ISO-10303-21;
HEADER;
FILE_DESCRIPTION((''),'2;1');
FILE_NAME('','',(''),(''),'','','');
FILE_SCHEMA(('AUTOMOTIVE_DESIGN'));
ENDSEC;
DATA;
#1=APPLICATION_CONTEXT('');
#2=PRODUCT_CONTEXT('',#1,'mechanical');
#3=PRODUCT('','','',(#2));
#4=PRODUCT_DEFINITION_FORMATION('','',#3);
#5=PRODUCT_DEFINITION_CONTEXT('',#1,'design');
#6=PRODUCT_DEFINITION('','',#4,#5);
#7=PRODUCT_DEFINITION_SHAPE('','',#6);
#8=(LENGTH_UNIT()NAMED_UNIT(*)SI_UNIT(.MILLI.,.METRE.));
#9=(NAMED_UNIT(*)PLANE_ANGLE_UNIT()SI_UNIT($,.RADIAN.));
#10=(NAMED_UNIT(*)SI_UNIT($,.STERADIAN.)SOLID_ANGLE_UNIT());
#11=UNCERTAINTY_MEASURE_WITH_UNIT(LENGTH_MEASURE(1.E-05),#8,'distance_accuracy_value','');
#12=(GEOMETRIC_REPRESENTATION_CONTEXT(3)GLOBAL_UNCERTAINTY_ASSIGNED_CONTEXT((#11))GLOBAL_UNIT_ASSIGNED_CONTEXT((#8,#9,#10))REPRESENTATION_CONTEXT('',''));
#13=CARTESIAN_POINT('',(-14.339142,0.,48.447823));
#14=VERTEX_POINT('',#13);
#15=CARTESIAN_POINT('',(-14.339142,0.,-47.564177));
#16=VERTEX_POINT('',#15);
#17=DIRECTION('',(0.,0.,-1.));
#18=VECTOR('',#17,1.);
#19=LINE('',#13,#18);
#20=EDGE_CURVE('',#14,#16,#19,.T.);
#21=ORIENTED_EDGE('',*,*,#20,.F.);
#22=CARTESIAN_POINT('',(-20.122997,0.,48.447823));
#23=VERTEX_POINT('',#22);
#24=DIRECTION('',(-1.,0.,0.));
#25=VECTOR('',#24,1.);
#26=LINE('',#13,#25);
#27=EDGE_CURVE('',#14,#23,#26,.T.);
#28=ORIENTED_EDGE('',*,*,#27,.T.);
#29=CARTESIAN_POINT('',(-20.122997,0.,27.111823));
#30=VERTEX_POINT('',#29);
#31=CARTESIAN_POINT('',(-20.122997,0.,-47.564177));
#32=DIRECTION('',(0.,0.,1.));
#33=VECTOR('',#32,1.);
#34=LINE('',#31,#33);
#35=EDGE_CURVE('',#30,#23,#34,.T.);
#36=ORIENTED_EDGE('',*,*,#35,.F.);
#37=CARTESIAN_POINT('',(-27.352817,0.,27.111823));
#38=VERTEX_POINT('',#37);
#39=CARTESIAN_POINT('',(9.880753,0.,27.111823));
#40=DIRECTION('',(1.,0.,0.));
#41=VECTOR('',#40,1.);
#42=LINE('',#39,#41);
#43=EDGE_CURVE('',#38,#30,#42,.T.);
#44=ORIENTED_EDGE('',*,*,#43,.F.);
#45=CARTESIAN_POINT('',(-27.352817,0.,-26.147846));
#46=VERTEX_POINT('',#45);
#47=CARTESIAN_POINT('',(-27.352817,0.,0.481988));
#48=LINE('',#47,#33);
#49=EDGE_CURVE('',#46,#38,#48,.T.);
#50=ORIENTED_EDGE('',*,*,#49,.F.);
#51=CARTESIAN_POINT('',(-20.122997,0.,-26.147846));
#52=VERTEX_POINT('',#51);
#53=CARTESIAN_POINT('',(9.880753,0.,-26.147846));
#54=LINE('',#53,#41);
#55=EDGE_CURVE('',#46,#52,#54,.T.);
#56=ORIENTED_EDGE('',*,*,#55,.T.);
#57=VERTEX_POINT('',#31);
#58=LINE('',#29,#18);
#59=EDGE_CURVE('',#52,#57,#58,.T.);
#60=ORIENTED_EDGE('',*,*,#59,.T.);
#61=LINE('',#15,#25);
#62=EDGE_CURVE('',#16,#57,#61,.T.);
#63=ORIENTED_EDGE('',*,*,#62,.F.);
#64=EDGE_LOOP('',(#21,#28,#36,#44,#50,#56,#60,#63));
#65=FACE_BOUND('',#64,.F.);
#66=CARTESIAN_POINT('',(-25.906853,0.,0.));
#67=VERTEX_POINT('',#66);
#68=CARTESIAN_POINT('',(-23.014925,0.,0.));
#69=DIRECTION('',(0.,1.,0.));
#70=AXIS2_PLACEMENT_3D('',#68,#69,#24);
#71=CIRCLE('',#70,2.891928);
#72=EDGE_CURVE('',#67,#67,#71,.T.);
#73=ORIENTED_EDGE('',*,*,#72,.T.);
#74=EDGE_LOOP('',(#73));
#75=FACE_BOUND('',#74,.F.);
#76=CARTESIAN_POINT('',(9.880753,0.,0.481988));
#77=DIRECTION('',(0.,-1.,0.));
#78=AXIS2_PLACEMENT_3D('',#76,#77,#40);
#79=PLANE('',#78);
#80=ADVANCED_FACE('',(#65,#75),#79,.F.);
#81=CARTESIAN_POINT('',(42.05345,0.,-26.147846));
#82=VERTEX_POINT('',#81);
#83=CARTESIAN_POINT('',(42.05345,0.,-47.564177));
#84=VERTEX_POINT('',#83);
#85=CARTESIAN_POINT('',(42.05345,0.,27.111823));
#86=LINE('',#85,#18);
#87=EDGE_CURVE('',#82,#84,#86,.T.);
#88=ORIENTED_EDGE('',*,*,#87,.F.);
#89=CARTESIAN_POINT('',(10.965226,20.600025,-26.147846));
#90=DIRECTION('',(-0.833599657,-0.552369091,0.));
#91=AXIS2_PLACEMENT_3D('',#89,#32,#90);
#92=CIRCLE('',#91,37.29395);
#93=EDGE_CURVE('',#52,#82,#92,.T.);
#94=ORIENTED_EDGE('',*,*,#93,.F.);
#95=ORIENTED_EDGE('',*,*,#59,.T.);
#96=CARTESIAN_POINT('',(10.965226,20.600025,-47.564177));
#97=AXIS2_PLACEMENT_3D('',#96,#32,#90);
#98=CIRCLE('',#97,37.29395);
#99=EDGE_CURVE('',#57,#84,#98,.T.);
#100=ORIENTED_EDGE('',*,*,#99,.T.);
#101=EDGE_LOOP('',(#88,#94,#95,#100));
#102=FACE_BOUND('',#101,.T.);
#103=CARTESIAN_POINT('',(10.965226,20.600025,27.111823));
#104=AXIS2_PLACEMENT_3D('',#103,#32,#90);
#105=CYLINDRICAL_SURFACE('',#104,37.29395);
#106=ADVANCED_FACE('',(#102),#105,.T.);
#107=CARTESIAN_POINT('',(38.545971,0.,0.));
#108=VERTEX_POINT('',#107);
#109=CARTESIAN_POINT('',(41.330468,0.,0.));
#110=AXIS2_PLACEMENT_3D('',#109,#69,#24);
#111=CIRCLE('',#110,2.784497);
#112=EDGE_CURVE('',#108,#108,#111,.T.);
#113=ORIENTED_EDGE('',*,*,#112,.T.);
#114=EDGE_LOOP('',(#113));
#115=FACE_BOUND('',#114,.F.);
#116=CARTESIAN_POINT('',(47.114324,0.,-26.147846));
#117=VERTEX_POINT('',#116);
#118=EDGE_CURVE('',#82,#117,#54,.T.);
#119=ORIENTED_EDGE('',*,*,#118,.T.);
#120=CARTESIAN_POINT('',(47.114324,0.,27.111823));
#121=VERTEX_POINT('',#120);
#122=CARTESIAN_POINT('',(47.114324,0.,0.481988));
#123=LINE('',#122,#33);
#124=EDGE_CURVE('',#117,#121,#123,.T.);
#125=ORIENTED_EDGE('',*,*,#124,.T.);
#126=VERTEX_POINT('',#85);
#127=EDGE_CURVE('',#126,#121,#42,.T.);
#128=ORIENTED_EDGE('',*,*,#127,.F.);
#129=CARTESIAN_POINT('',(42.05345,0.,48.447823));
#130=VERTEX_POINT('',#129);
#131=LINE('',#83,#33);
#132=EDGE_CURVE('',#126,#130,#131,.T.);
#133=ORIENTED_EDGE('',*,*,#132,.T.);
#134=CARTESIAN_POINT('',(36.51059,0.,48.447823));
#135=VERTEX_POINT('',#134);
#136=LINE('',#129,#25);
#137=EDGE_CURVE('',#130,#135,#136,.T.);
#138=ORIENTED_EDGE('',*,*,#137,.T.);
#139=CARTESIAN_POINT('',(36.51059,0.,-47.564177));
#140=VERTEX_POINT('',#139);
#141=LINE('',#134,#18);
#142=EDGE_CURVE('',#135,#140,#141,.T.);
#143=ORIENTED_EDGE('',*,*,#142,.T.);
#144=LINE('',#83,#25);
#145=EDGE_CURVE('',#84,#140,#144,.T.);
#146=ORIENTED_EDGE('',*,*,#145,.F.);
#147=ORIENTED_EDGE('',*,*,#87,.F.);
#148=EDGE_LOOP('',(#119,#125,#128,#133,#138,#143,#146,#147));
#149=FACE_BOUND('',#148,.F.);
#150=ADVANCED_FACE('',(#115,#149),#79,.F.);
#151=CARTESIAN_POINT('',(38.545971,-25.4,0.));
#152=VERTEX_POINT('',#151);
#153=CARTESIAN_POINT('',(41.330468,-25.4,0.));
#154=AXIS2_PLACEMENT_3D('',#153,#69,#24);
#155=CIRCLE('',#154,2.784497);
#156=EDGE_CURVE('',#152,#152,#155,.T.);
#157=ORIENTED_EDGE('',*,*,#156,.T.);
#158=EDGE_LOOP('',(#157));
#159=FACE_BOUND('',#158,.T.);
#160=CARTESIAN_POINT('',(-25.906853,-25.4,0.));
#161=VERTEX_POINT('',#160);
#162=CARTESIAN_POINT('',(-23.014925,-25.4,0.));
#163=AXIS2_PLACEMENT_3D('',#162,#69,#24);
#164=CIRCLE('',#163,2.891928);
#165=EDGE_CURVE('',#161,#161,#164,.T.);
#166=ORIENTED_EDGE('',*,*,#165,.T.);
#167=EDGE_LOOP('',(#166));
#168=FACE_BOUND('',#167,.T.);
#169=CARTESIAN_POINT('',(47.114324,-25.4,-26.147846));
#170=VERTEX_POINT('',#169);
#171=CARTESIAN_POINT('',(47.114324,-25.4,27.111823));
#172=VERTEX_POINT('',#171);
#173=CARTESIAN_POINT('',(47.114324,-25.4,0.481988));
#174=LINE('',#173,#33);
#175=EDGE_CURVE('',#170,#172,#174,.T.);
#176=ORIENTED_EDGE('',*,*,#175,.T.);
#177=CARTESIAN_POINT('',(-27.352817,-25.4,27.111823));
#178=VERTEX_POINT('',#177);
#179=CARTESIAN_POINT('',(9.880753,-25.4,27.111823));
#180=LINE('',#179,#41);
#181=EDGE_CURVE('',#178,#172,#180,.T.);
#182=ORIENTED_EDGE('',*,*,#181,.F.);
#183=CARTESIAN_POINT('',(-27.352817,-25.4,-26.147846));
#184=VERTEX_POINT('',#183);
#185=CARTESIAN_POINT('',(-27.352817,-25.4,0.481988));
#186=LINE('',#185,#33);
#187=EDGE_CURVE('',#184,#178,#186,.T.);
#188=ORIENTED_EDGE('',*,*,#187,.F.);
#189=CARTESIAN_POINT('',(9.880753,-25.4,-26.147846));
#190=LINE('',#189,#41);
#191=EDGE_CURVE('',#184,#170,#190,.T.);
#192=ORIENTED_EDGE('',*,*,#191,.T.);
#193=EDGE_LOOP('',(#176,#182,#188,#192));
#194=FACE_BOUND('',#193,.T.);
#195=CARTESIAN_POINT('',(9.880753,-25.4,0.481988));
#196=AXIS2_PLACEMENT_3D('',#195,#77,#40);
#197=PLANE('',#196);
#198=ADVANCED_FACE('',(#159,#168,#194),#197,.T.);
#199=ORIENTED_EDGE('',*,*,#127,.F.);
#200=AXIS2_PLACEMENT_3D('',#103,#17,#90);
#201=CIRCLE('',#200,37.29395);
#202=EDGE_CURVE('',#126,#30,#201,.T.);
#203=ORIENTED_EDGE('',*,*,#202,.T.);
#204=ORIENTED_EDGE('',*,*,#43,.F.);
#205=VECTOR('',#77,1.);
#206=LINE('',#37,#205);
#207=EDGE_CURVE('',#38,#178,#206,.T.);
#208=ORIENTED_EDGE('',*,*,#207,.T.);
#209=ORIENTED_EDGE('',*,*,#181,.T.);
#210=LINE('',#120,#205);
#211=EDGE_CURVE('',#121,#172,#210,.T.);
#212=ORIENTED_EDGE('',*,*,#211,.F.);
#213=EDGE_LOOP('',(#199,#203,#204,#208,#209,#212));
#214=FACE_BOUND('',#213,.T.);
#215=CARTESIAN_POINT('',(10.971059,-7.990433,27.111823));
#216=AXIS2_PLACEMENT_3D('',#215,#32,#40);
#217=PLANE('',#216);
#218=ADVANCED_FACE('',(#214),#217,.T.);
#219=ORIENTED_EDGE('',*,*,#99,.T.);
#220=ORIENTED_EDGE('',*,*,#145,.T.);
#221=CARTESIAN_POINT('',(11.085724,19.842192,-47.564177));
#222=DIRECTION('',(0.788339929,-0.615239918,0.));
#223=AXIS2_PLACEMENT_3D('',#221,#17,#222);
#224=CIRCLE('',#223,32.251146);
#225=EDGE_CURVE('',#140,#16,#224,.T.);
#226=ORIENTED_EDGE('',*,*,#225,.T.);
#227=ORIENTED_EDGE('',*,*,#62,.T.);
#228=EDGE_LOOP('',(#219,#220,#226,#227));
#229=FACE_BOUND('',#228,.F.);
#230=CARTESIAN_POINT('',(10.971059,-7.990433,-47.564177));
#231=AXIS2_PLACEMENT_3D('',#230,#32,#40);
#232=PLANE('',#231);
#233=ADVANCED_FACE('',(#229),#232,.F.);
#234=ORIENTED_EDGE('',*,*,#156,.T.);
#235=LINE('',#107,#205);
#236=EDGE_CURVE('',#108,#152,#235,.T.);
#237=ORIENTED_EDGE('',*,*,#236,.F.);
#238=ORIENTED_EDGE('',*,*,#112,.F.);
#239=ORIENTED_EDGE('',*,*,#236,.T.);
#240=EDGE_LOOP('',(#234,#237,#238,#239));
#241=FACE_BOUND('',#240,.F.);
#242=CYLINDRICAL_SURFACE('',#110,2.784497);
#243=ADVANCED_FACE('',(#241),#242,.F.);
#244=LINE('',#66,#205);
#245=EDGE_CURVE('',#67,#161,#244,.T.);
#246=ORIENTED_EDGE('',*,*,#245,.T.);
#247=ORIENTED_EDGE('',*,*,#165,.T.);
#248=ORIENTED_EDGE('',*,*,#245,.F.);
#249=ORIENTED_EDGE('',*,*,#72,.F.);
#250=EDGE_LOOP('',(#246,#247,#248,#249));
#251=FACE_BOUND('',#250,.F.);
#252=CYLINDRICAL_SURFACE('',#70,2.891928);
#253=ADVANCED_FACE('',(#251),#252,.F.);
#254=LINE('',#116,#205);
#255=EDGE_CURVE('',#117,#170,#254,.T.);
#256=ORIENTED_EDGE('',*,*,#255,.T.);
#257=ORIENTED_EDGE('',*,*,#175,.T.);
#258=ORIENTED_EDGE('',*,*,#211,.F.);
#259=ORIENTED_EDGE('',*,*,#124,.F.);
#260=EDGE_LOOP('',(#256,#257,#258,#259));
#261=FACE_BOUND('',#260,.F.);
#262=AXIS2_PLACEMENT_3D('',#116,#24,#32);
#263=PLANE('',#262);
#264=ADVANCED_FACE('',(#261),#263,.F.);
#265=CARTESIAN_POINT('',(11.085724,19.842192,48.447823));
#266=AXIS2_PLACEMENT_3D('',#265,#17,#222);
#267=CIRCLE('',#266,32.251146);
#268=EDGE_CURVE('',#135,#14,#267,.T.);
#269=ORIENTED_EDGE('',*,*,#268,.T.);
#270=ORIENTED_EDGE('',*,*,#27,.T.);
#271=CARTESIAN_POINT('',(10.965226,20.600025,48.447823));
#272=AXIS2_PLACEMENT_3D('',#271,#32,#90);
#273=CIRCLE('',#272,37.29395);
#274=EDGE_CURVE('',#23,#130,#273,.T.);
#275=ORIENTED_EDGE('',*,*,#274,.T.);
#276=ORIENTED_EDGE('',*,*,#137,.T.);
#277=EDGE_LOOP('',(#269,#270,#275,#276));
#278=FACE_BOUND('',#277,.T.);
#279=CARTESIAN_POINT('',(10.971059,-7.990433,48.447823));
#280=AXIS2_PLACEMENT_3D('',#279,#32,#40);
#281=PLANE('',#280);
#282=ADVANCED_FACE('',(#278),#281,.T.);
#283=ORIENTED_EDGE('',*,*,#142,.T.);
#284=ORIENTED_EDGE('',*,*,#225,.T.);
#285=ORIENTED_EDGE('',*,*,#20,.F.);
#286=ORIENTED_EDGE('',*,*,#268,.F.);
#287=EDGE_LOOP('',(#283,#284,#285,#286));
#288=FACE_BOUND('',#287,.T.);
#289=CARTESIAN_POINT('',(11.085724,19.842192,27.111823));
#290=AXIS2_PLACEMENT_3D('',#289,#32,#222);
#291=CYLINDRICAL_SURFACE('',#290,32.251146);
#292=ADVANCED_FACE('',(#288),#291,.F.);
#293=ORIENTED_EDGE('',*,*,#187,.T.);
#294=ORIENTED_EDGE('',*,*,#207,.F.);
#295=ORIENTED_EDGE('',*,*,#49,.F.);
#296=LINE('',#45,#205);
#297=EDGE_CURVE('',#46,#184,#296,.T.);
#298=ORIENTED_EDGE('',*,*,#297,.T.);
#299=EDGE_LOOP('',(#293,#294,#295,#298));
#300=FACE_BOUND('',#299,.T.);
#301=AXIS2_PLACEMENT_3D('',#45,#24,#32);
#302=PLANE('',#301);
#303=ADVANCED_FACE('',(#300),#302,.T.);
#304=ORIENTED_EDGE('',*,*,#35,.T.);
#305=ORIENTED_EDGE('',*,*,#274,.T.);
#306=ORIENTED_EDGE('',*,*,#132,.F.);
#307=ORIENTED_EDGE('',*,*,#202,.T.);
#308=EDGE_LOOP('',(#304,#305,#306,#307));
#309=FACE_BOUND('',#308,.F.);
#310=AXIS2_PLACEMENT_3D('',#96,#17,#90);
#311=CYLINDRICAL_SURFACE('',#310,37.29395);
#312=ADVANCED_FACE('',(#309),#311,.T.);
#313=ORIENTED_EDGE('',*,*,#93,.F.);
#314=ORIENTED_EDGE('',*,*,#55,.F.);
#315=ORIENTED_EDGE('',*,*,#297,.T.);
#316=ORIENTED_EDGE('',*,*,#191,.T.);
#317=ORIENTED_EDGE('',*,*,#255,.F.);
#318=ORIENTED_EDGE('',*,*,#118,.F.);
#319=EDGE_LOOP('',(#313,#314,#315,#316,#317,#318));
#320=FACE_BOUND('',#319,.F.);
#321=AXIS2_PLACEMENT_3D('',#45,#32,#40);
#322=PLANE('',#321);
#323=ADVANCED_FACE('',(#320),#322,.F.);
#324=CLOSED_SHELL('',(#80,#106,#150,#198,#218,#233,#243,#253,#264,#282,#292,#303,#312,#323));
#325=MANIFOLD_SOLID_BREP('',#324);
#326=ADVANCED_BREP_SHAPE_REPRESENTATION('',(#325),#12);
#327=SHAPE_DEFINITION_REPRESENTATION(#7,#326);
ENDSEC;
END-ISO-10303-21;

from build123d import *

# Parameters (mm, degrees)
F0_W     = 74.4671411812
F0_H     = 53.2596688718
F1_DEPTH = 25.4
F3_DEPTH = 74.676
F4_DEPTH = 96.012
F5_DEPTH = 126.238
F6_R     = 2.8919279575
F7_DEPTH = 69.596
F8_R     = 2.7844971125
F9_DEPTH = 71.374


with BuildPart() as f1:
    # F0 (on Front) → F1 (new body)
    with BuildSketch(Plane.XZ):
        with Locations((9.880753234, 0.4819883034)):
            Rectangle(F0_W, F0_H)
    extrude(amount=F1_DEPTH)

    # F2 (on face) → F3 (join)
    with BuildSketch(Plane.XY.offset(27.1118227392)):
        with BuildLine():
            ThreePointArc((36.5105904639, 0), (11.0857244581, -12.4089535166), (-14.3391415477, 0))
            Line((-14.3391415477, 0), (-20.1229974627, 0))
            ThreePointArc((-20.1229974627, 0), (10.9652262181, -16.6939246271), (42.053449899, 0))
            Line((42.053449899, 0), (36.5105904639, 0))
        make_face()
    extrude(amount=-F3_DEPTH)

    # F4 (add): a face of the model
    f4_faces = [f1.faces().sort_by_distance(p)[0] for p in [
        (39.2820201814, -0.643785502, -47.5641772608),
    ]]
    extrude(f4_faces, amount=-F4_DEPTH)

    # F5 (cut): a face of the model
    f5_faces = [f1.faces().sort_by_distance(p)[0] for p in [
        (11.0857244581, -5.0557746848, 27.1118227392),
    ]]
    extrude(f5_faces, amount=-F5_DEPTH, mode=Mode.SUBTRACT)

    # F6 (on face) → F7 (cut)
    with BuildSketch(Plane(origin=(0, 0, 0), x_dir=(-1, 0, 0), z_dir=(0, 1, 0))):
        with Locations((23.0149254203, 0)):
            Circle(F6_R)
    extrude(amount=-F7_DEPTH, mode=Mode.SUBTRACT)

    # F8 (on face) → F9 (cut)
    with BuildSketch(Plane(origin=(0, 0, 0), x_dir=(-1, 0, 0), z_dir=(0, 1, 0))):
        with Locations((-41.3304679096, 0)):
            Circle(F8_R)
    extrude(amount=-F9_DEPTH, mode=Mode.SUBTRACT)


solid = f1.part
